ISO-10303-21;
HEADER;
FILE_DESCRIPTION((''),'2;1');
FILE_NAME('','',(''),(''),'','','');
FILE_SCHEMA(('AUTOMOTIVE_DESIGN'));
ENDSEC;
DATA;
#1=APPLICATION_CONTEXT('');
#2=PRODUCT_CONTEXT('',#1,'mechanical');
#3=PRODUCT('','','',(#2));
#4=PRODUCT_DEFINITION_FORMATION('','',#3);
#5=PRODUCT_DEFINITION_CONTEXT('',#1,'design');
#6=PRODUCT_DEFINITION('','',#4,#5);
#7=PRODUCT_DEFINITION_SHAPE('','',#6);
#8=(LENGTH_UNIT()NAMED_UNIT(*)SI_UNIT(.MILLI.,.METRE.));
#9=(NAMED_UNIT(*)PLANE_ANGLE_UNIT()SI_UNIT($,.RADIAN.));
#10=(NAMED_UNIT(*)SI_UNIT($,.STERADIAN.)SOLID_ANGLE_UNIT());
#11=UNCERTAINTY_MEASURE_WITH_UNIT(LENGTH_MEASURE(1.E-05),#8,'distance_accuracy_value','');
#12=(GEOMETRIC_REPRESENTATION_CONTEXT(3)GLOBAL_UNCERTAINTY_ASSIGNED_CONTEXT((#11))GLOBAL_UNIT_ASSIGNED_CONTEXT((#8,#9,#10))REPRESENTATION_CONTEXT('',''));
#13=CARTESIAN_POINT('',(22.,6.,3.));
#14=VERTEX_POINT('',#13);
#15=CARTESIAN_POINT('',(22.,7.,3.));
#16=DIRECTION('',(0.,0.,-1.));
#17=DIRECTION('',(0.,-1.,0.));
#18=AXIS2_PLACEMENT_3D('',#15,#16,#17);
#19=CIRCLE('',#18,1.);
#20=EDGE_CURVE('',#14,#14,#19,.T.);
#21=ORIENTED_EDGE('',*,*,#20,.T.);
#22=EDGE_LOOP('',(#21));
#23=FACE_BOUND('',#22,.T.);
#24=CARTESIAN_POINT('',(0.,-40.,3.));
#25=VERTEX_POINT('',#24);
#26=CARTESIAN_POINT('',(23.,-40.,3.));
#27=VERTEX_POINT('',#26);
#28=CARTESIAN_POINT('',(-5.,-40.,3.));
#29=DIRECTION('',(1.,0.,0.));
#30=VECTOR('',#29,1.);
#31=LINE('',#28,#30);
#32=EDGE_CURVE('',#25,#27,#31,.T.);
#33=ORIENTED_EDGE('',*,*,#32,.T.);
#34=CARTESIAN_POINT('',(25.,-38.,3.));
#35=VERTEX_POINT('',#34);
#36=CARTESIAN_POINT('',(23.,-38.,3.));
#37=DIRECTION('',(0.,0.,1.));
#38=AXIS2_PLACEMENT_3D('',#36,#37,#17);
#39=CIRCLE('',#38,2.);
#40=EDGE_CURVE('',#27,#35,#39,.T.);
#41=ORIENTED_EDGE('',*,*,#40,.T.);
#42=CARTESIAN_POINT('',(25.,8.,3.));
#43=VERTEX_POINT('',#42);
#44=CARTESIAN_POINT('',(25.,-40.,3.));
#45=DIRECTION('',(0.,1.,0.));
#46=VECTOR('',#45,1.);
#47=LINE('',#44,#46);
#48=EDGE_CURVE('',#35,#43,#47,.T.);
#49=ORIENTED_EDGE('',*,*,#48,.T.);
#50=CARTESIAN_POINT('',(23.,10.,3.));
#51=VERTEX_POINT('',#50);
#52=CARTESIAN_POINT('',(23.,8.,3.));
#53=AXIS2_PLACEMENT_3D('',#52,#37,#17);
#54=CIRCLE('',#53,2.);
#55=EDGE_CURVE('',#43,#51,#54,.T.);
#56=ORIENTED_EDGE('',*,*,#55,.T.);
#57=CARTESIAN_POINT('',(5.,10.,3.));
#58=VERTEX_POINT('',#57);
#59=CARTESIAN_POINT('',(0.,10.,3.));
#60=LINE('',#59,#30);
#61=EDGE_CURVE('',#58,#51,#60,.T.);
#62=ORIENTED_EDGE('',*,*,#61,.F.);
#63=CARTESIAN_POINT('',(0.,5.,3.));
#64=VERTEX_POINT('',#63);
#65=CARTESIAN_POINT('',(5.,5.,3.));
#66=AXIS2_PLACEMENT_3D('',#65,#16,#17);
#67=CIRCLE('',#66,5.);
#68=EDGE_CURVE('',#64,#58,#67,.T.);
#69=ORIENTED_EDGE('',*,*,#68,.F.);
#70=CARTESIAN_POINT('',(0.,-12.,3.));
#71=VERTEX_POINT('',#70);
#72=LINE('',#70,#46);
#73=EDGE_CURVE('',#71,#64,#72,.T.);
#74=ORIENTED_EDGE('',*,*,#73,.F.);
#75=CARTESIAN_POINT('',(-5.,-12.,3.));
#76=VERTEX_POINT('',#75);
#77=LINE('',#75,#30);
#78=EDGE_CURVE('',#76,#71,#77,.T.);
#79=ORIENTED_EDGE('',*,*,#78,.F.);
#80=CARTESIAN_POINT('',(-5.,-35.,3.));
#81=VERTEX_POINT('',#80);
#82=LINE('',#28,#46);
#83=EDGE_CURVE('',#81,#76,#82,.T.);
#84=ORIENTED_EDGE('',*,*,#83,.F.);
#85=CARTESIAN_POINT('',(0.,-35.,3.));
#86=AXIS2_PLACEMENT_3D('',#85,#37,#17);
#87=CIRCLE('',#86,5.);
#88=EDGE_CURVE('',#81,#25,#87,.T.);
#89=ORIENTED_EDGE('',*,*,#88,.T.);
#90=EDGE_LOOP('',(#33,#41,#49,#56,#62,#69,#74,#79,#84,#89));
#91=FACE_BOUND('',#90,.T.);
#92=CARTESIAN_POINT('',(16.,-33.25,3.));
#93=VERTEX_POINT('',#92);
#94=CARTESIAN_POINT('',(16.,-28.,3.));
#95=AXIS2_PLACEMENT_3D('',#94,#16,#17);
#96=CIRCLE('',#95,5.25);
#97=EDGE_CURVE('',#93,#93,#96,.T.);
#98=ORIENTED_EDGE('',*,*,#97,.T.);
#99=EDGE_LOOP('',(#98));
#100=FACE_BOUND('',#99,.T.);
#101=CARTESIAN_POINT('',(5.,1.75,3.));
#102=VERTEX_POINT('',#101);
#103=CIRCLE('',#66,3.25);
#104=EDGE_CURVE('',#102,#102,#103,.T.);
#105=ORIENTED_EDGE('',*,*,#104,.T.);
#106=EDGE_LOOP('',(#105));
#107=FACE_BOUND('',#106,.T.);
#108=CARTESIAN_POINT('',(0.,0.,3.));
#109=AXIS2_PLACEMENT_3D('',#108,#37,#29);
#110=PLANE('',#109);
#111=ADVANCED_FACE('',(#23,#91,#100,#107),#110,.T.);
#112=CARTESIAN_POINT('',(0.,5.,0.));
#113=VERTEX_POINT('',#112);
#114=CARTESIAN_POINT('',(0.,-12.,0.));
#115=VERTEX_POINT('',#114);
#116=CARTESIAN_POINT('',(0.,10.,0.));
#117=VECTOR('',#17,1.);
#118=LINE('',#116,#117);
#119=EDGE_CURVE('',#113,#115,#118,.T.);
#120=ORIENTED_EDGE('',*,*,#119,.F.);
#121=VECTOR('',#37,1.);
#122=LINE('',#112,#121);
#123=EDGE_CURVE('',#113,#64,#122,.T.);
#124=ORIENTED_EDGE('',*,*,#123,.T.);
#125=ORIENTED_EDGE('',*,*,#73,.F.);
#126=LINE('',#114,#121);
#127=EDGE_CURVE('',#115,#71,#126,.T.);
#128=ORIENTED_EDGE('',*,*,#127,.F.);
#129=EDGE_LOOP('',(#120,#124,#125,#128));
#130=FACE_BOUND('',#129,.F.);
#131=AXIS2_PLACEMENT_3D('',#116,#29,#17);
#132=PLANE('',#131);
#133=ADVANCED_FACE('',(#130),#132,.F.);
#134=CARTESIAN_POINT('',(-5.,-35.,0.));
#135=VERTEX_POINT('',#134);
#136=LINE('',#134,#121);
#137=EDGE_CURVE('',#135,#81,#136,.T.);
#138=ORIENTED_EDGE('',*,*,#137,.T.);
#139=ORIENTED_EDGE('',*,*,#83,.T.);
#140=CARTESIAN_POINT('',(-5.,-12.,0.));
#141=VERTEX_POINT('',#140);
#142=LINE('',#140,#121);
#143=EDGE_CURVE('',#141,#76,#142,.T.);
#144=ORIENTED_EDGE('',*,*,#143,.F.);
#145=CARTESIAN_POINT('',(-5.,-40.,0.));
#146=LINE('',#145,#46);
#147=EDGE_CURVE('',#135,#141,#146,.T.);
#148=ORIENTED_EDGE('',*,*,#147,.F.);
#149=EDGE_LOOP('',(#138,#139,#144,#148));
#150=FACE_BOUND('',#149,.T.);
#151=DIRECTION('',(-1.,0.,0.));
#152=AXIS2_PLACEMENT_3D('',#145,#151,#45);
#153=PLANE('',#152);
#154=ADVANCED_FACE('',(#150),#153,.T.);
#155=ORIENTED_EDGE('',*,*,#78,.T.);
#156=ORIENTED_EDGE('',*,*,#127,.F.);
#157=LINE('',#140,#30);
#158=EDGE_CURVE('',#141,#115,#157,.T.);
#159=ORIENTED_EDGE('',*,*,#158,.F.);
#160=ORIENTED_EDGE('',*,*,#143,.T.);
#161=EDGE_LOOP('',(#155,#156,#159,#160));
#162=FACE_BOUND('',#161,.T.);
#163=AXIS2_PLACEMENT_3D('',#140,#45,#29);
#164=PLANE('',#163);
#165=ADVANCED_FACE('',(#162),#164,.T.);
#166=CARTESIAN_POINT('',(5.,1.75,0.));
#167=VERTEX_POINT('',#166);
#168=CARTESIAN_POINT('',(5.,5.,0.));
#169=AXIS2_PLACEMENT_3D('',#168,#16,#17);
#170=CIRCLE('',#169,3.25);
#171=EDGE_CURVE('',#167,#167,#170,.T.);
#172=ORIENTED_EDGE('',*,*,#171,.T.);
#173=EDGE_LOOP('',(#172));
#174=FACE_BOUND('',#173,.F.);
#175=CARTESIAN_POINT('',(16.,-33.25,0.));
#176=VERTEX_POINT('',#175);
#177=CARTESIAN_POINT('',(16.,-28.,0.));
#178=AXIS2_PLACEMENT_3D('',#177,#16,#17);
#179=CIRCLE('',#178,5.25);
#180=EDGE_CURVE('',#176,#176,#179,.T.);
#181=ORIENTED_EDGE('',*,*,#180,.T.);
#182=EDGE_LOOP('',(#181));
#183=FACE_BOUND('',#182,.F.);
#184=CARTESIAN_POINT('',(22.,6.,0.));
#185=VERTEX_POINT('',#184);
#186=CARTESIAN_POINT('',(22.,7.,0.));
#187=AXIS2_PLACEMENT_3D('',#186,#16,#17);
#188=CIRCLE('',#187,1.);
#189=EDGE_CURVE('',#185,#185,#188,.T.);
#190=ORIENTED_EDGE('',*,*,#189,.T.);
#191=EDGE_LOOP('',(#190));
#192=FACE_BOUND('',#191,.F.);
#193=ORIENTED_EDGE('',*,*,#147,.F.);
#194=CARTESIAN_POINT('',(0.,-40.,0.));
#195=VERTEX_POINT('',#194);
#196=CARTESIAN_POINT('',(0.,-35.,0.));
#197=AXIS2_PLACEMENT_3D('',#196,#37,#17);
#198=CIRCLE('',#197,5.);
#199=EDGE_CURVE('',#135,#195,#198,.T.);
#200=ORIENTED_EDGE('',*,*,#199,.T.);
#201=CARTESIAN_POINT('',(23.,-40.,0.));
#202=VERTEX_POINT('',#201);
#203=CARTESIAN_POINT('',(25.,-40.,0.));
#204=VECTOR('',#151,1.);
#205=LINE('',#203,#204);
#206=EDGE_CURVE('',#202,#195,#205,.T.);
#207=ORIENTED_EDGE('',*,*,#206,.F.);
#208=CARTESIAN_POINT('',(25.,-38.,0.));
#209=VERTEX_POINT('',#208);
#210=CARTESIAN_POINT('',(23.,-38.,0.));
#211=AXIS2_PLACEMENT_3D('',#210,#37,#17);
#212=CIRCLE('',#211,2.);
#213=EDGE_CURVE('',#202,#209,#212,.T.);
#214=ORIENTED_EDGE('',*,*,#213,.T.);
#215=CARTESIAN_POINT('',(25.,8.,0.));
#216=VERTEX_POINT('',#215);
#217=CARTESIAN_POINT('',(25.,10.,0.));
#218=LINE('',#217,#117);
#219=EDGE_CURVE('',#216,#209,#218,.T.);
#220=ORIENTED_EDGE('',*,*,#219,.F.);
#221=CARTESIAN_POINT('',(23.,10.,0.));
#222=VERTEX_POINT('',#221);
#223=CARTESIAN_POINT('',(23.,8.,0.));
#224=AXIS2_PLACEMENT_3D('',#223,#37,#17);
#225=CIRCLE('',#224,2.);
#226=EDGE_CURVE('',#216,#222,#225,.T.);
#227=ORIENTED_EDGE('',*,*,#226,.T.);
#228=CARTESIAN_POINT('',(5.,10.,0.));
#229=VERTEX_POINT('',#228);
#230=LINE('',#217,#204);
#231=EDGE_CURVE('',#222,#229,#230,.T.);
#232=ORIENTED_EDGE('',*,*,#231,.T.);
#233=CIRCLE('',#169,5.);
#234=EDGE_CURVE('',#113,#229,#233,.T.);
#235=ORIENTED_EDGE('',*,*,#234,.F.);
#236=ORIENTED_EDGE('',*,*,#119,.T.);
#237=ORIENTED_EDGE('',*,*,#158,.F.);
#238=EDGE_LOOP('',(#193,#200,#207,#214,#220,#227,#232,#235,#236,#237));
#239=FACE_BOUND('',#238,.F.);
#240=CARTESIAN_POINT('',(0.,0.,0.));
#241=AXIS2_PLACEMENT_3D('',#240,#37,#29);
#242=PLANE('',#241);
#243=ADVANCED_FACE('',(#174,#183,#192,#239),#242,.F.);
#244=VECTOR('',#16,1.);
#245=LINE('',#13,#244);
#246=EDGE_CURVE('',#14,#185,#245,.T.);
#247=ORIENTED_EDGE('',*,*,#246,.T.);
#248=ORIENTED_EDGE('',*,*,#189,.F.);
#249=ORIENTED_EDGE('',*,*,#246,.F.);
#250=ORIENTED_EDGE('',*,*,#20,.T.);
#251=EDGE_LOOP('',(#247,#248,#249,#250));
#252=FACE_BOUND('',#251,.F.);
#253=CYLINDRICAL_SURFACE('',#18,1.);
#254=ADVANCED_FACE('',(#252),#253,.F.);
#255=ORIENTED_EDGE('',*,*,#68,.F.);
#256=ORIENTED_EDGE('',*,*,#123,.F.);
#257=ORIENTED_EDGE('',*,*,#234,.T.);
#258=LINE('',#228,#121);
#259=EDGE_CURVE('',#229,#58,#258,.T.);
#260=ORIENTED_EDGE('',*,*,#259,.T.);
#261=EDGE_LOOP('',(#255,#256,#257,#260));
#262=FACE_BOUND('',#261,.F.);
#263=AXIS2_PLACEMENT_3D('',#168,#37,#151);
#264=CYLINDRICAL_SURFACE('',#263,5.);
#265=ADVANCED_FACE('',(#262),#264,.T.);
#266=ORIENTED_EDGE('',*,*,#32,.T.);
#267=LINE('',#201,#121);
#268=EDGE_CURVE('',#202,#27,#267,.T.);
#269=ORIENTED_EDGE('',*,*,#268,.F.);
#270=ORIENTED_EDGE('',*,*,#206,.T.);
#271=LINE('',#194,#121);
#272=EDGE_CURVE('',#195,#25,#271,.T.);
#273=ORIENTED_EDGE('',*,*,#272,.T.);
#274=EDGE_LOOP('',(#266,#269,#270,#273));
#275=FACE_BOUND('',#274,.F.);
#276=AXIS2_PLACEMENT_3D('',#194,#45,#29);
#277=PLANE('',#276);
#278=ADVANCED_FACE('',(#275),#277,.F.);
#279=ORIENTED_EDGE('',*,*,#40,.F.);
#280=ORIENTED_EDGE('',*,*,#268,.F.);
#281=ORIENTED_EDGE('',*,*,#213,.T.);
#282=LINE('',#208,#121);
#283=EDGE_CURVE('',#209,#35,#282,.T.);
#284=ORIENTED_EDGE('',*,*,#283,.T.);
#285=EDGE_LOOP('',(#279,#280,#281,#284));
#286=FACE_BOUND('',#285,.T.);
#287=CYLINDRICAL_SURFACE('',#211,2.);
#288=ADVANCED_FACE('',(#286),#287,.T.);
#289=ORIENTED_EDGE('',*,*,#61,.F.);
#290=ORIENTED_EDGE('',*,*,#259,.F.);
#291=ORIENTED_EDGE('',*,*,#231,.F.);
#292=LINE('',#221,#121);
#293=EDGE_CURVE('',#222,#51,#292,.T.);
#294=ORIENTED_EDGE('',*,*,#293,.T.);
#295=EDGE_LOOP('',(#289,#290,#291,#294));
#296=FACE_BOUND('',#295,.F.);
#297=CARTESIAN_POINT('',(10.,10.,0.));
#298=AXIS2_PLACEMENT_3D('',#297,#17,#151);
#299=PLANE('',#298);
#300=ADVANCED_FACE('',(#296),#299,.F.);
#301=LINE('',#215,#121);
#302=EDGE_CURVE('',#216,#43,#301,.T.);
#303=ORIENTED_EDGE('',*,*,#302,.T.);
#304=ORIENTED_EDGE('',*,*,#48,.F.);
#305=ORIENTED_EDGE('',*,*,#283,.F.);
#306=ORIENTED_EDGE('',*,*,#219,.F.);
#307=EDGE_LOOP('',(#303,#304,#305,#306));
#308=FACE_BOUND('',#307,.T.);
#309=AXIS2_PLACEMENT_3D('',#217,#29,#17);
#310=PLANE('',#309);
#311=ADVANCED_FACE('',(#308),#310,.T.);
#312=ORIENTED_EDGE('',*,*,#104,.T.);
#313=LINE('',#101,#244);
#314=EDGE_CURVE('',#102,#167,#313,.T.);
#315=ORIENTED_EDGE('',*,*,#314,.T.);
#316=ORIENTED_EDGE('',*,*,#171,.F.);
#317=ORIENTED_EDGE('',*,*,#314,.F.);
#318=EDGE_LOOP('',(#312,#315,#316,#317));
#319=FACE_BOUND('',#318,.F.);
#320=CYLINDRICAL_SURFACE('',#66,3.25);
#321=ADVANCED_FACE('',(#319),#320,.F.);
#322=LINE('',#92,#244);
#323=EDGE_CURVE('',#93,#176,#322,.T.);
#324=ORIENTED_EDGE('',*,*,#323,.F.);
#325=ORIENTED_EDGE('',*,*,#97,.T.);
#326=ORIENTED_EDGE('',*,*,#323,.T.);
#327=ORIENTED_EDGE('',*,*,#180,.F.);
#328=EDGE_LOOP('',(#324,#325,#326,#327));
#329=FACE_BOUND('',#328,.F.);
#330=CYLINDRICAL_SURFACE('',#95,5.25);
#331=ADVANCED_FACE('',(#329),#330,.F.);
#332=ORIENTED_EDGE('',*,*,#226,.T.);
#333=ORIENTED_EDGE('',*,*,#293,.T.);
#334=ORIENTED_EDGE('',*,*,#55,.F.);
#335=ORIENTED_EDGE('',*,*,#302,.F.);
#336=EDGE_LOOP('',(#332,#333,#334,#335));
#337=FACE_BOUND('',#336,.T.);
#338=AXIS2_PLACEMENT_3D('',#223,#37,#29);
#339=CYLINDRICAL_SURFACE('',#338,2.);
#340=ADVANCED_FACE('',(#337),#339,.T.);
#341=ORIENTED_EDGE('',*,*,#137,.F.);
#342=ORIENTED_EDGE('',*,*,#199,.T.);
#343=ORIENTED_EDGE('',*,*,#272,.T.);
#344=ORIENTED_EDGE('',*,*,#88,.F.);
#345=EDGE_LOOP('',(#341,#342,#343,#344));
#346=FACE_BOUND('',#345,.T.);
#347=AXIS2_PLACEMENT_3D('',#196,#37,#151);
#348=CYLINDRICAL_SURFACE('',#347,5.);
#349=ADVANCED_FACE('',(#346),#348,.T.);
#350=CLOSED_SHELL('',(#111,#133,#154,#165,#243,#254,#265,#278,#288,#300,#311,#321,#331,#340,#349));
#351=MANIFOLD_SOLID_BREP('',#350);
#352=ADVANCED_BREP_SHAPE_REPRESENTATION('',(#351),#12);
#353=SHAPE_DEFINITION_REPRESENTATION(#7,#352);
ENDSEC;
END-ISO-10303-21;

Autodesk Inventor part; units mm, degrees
ref_plane "YZ Plane" through (0, 0, 0) normal (1, 0, 0) x (0, 1, 0)
ref_plane "XZ Plane" through (0, 0, 0) normal (0, 1, 0) x (-1, 0, 0)
ref_plane "XY Plane" through (0, 0, 0) normal (0, 0, 1) x (1, 0, 0)
sketch "Sketch1" plane through (0, 0, 0) normal (0, 0, 1) x (1, 0, 0)
  line L0 (0, 0) -> (10, 0)
  line L1 (10, 0) -> (10, 10)
  line L2 (10, 10) -> (0, 10)
  line L3 (0, 10) -> (0, 0)
  line L4 (10, 10) -> (25, 10)
  line L5 (25, 10) -> (25, 4)
  line L6 (25, 4) -> (10, 4)
  line L7 (10, 4) -> (10, 10)
  line L8 (10, 0) -> (0, 0)
  line L9 (0, 0) -> (0, -40)
  line L10 (0, -40) -> (10, -40)
  line L11 (10, -40) -> (10, 0)
  line L12 (0, -40) -> (-5, -40)
  line L13 (-5, -40) -> (-5, -12)
  line L14 (-5, -12) -> (0, -12)
  line L15 (0, -12) -> (0, -40)
  line L16 (10, 4) -> (25, 4)
  line L17 (25, 4) -> (25, -40)
  line L18 (25, -40) -> (10, -40)
  line L19 (10, -40) -> (10, 4)
  dimension "d0" = 10
  dimension "d2" = 15
  dimension "d3" = 6
  dimension "d5" = 28
  dimension "d6" = 5
  dimension "d7" = 10
  dimension "d30" = 22
extrude "Extrusion1" add sketch "Sketch1" along normal blind 3
fillet "Fillet1" radius 5 1 edges at (0, 10, 1.5)
fillet "Fillet2" radius 5 1 edges at (-5, -40, 1.5)
fillet "Fillet3" [suppressed]
fillet "Fillet4" [suppressed]
sketch "Sketch2" plane through (0, 0, 3) normal (0, 0, 1) x (1, 0, 0)
  arc A0 (22, 4) -> (22, 10) centre (22, 7) ccw projected
  point P0 (0, 0)
hole "Hole1" at (22, 7, 3) direction (0, 0, -1) diameter 2 end through all
sketch "Sketch3" plane through (0, 0, 3) normal (0, 0, 1) x (1, 0, 0)
  line L0 (25, 10) -> (5, 10) projected
  line L1 (0, 5) -> (0, -12) projected
  point P0 (0, 0)
  point P1 (5, 5)
  point P2 (22, 10)
  dimension "d20" = 5
  dimension "d31" = 5
hole "Hole2" at (5, 5, 3) direction (0, 0, -1) diameter 6.5 end through all
fillet "Fillet6" radius 2 2 edges at (25, 10, 1.5) (25, -40, 1.5)
sketch "Sketch4" plane through (0, 0, 3) normal (0, 0, 1) x (1, 0, 0)
  line L0 (25, -38) -> (25, 8) projected
  line L1 (0, -40) -> (23, -40) projected
  point P0 (0, 0)
  point P1 (16, -28)
  dimension "d33" = 9
  dimension "d34" = 12
hole "Hole3" at (16, -28, 3) direction (0, 0, -1) diameter 10.5 end through all
properties part number "Selection_Lever 1" material "Nylon 6/6"
